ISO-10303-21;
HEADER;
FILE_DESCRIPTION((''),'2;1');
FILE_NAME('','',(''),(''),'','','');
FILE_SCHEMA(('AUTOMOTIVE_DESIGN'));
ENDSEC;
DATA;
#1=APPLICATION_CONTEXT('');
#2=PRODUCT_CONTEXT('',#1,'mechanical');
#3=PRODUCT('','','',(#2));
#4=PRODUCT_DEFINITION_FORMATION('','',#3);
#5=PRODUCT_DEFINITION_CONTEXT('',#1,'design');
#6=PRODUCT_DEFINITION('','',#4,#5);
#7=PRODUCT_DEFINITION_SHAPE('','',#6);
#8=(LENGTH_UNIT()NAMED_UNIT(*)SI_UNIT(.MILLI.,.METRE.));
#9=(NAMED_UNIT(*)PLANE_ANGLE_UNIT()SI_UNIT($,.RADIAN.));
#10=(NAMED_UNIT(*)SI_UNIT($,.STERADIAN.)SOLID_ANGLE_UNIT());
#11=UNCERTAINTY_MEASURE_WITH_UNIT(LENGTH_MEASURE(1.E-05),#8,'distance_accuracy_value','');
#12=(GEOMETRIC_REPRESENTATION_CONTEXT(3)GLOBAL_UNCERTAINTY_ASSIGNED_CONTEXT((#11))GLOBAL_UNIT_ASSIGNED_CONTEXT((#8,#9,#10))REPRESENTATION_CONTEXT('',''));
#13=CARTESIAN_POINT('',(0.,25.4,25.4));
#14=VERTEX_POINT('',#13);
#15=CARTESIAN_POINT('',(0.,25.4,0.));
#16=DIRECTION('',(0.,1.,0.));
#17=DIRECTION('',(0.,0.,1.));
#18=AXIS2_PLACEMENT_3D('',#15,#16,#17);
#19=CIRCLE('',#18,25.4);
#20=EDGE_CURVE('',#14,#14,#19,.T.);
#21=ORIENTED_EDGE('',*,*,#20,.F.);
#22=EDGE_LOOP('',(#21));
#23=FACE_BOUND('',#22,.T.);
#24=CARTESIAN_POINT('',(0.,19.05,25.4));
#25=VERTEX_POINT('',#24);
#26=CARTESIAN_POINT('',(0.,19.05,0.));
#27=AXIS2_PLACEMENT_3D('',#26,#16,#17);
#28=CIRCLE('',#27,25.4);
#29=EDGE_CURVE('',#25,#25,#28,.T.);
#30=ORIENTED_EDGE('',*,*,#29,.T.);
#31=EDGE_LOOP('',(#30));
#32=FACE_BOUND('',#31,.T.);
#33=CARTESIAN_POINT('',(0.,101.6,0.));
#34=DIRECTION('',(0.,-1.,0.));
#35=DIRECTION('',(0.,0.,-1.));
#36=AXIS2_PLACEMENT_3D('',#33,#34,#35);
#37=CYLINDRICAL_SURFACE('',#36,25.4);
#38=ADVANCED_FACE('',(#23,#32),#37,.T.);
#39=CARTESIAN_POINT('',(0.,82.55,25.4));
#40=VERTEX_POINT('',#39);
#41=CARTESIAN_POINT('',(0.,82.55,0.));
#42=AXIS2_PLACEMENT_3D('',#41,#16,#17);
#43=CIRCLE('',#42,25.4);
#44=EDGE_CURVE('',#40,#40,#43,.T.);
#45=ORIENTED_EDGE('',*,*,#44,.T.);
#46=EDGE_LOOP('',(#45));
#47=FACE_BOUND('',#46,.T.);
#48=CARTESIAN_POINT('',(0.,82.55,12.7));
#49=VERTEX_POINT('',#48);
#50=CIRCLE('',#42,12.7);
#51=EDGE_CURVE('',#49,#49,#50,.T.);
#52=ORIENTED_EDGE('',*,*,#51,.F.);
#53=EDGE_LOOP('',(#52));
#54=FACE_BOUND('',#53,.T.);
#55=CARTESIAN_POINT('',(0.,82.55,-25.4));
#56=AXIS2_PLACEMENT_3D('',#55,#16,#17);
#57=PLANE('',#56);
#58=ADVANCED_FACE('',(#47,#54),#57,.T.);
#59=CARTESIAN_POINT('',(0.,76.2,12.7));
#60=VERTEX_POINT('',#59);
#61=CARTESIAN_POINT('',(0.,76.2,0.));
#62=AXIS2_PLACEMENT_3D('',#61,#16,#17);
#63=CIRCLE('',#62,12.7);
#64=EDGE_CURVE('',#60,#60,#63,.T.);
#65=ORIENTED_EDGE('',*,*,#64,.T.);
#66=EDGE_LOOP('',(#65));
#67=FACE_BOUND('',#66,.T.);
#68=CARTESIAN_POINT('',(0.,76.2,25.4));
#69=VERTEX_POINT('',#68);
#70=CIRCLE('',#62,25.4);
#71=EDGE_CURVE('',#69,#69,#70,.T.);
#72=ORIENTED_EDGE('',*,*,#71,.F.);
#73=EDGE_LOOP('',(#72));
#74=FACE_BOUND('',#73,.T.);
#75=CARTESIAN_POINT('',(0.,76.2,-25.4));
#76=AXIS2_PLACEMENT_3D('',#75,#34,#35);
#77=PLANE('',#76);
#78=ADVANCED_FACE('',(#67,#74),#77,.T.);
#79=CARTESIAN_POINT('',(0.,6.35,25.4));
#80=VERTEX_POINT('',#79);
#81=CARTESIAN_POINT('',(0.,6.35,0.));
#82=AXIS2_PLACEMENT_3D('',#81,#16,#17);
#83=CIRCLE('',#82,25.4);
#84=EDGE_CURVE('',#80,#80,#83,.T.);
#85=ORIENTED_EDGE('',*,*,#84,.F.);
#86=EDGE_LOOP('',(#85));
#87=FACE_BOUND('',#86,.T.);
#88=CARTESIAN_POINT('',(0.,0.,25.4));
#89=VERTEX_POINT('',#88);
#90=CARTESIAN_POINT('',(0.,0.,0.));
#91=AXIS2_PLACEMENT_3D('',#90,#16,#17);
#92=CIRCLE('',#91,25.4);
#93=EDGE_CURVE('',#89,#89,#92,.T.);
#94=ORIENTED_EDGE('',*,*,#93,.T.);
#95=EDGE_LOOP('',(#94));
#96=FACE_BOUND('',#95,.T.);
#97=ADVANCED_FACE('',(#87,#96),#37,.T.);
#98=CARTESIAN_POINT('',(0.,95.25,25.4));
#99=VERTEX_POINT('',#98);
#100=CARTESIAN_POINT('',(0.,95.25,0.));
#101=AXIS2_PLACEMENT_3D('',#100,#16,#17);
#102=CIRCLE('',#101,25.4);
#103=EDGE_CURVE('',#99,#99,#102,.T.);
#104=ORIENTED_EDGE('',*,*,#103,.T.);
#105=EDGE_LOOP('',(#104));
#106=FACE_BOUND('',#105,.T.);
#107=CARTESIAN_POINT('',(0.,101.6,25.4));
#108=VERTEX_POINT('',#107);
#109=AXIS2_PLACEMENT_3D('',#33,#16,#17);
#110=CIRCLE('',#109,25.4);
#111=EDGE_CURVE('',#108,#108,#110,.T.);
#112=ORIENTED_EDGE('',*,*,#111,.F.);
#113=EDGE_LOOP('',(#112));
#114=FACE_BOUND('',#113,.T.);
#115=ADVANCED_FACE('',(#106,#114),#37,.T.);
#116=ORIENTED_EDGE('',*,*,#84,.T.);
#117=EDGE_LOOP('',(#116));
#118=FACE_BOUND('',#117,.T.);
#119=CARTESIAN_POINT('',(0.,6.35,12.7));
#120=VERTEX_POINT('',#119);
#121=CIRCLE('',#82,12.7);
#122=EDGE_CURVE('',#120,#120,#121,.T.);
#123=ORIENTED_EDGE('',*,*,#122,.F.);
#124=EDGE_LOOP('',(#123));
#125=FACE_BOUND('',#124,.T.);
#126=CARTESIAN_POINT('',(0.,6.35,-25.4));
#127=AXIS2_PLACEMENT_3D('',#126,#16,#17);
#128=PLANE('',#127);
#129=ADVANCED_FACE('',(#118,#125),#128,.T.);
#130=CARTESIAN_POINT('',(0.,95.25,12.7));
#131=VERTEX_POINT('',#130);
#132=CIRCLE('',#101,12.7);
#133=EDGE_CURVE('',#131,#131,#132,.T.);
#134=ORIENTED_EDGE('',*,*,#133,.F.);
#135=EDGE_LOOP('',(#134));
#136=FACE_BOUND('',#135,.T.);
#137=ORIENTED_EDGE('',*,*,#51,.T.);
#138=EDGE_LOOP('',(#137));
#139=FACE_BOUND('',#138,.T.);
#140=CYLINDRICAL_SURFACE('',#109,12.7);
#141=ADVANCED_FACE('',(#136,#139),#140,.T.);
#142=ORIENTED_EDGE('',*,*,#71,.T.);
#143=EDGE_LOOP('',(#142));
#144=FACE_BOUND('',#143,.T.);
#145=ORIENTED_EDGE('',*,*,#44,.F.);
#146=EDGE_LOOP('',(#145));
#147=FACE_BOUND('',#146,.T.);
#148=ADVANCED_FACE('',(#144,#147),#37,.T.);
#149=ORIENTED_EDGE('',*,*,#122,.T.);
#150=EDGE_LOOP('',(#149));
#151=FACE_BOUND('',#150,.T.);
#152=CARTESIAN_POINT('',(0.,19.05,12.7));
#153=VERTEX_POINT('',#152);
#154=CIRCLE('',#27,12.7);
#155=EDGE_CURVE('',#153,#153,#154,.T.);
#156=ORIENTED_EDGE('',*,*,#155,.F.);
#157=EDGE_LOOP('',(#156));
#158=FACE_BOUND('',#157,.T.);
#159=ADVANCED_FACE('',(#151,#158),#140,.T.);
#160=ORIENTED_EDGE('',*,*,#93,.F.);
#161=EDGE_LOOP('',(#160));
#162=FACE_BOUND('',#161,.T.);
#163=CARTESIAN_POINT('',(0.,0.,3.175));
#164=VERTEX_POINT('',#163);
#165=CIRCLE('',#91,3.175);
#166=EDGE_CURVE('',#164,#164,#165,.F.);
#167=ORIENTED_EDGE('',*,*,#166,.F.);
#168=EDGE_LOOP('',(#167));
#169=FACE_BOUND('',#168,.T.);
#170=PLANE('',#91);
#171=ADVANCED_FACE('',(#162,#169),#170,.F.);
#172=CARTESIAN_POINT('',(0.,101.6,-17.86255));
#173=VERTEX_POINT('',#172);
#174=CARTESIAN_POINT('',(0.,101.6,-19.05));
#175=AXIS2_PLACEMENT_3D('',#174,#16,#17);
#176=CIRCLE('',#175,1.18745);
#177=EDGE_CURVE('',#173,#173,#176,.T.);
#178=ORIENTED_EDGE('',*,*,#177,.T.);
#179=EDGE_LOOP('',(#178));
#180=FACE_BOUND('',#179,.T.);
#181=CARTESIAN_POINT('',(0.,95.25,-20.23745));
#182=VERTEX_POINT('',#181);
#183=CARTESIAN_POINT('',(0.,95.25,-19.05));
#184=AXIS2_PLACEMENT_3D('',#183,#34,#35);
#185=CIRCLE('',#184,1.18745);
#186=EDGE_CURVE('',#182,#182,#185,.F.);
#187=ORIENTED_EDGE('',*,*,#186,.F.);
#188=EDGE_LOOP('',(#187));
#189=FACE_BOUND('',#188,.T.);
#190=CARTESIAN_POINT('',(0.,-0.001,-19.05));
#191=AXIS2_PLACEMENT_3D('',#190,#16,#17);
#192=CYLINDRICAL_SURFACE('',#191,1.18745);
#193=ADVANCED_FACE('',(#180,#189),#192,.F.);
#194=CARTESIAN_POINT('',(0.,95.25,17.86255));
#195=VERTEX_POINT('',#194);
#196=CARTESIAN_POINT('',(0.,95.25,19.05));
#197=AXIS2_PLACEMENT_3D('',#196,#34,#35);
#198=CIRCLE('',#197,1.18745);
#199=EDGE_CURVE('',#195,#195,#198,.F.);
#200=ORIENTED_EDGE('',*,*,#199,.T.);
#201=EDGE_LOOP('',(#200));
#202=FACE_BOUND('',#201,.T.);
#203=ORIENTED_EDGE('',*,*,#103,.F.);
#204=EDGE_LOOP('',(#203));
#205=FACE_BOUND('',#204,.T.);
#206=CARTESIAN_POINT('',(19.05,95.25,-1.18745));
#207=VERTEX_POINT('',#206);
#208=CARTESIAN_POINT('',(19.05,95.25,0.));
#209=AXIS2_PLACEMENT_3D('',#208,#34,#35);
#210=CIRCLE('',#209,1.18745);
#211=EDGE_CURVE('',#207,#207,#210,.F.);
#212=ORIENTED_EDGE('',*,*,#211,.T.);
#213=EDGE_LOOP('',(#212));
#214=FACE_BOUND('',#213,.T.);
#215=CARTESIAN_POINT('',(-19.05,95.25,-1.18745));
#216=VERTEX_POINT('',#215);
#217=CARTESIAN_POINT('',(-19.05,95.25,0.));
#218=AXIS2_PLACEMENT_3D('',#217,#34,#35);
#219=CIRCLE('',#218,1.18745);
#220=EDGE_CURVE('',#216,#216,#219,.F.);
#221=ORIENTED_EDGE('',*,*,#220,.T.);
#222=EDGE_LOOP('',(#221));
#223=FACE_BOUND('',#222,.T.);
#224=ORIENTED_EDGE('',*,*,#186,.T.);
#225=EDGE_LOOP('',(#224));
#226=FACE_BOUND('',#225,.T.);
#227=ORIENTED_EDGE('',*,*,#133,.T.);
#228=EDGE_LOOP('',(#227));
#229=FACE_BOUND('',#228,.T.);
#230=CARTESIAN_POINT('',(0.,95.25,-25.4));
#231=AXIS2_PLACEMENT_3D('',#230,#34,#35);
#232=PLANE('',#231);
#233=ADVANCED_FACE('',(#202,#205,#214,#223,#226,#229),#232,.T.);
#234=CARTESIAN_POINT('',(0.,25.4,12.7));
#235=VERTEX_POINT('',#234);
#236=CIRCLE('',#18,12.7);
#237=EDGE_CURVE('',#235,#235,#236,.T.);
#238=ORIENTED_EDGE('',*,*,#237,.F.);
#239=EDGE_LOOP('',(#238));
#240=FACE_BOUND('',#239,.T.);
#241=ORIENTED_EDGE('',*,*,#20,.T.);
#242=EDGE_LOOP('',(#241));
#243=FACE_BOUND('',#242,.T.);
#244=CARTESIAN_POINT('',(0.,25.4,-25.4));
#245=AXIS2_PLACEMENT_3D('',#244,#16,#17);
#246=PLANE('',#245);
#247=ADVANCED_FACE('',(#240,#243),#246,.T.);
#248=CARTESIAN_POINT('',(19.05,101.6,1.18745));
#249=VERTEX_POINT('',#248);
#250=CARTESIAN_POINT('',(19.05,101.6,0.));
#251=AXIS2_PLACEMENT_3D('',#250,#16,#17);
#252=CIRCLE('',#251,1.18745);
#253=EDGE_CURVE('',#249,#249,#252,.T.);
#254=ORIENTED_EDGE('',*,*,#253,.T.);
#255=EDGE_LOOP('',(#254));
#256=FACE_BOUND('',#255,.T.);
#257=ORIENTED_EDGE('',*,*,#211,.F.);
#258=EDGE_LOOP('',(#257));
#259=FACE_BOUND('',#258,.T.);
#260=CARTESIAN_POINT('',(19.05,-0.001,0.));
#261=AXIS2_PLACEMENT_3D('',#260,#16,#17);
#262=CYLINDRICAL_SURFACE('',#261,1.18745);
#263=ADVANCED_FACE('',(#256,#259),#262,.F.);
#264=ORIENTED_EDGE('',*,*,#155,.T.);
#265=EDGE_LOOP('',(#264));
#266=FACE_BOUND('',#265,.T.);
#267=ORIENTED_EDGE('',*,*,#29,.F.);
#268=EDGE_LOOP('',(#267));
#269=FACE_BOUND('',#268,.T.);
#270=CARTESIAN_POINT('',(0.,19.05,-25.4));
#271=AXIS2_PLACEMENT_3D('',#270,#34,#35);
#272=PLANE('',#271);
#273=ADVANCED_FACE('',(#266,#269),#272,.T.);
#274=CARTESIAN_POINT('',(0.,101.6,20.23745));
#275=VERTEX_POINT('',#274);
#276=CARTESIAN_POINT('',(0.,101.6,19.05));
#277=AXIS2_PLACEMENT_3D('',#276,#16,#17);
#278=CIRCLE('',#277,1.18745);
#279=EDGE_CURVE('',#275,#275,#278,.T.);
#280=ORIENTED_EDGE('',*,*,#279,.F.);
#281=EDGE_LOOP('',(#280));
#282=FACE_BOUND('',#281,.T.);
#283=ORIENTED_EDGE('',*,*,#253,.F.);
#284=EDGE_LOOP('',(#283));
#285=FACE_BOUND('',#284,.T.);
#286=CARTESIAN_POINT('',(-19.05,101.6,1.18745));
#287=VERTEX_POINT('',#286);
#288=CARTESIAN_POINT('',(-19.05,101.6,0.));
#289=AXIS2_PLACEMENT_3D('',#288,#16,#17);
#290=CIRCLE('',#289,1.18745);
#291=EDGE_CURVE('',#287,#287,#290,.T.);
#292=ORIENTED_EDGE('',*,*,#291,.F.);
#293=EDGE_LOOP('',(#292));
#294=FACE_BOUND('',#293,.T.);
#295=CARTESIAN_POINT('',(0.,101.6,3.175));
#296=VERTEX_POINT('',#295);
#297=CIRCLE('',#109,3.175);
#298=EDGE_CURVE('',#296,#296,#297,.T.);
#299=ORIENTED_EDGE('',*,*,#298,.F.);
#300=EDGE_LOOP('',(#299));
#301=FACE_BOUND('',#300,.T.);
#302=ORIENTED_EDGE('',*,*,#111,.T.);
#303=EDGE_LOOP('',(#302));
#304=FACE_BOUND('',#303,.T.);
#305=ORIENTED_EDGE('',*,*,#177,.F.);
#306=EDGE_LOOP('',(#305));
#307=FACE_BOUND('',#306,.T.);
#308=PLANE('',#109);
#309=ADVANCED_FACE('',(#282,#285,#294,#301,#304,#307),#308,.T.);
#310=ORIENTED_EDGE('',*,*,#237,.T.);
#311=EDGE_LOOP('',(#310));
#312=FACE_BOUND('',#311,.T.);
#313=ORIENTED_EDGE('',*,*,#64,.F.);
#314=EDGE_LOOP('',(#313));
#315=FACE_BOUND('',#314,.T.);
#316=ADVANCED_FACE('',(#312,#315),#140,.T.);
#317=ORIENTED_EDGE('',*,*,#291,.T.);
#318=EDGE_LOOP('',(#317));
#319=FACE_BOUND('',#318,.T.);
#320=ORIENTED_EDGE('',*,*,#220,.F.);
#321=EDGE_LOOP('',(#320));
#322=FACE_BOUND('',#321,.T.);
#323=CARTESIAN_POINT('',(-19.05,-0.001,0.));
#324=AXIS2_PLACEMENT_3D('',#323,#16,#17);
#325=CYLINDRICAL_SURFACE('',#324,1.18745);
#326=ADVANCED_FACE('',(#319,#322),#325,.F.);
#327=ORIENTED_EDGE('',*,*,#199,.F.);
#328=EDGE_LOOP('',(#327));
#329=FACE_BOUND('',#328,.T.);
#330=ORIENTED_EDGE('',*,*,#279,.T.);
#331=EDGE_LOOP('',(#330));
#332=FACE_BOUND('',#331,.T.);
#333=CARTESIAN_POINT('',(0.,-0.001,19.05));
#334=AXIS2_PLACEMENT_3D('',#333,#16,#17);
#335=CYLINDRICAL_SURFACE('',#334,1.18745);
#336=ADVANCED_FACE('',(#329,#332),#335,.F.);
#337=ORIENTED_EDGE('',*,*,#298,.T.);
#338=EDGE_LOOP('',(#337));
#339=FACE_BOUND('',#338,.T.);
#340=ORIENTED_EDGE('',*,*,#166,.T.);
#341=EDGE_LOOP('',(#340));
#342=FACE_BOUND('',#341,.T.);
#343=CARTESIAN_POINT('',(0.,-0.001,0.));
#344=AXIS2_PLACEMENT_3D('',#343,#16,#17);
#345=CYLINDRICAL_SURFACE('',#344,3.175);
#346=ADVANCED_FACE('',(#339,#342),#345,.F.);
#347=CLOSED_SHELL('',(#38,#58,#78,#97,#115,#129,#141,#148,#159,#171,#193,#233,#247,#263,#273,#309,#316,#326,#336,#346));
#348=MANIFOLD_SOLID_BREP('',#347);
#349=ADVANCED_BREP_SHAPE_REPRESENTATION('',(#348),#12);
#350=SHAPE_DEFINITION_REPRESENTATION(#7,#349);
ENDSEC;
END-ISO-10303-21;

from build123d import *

# Parameters (mm, degrees)
SKETCH1_R           = 25.4
BOSS_EXTRUDE1_DEPTH = 101.6
SKETCH2_W           = 12.7
SKETCH2_H           = 12.7
SKETCH2_H_2         = 50.8
CUT_EXTRUDE1_REACH  = 109.763
SKETCH3_R           = 3.175
CUT_EXTRUDE2_REACH  = 109.763
SKETCH4_R           = 1.18745


with BuildPart() as part:
    # Sketch1 → Boss-Extrude1 (new body)
    with BuildSketch(Plane(origin=(0, 0, 0), x_dir=(1, 0, 0), z_dir=(0, 1, 0))):
        with Locations(Location((0, 0, 0), (0, 0, 270))):
            Circle(SKETCH1_R)
    extrude(amount=BOSS_EXTRUDE1_DEPTH)

    # Sketch2 → Cut-Revolve1 (revolve, cut)
    with BuildSketch(Plane(origin=(0, 0, 0), x_dir=(0, 0, -1), z_dir=(1, 0, 0)), mode=Mode.PRIVATE) as cut_revolve1_sk:
        with Locations((19.05, 88.9)):
            Rectangle(SKETCH2_W, SKETCH2_H)
        with Locations((19.05, 12.7)):
            Rectangle(SKETCH2_W, SKETCH2_H)
        with Locations((19.05, 50.8)):
            Rectangle(SKETCH2_W, SKETCH2_H_2)
    revolve(cut_revolve1_sk.sketch.rotate(Axis((0, 101.6, 0), (0, -1, 0)), 180), axis=Axis((0, 101.6, 0), (0, -1, 0)), mode=Mode.SUBTRACT)

    # Sketch3 → Cut-Extrude1 (cut, up to next)
    with BuildSketch(Plane(origin=(0, 101.6, 0), x_dir=(1, 0, 0), z_dir=(0, 1, 0)), mode=Mode.PRIVATE) as cut_extrude1_sk1:
        with Locations(Location((0, 0, 0), (0, 0, 270))):
            Circle(SKETCH3_R)
    cut_extrude1_tool1 = extrude(cut_extrude1_sk1.sketch, amount=-CUT_EXTRUDE1_REACH, mode=Mode.PRIVATE) & part.part
    add(cut_extrude1_tool1.solids().sort_by_distance((0, 101.6, 0))[0], mode=Mode.SUBTRACT)

    # Sketch4 → Cut-Extrude2 (cut, up to next)
    with BuildSketch(Plane(origin=(0, 101.6, 0), x_dir=(1, 0, 0), z_dir=(0, 1, 0)), mode=Mode.PRIVATE) as cut_extrude2_sk1:
        with Locations(Location((-19.05, 0, 0), (0, 0, 270))):
            Circle(SKETCH4_R)
    cut_extrude2_tool1 = extrude(cut_extrude2_sk1.sketch, amount=-CUT_EXTRUDE2_REACH, mode=Mode.PRIVATE) & part.part
    # Sketch4 → Cut-Extrude2 (cut, up to next)
    with BuildSketch(Plane(origin=(0, 101.6, 0), x_dir=(1, 0, 0), z_dir=(0, 1, 0)), mode=Mode.PRIVATE) as cut_extrude2_sk2:
        with Locations(Location((0, 19.05, 0), (0, 0, 270))):
            Circle(SKETCH4_R)
    cut_extrude2_tool2 = extrude(cut_extrude2_sk2.sketch, amount=-CUT_EXTRUDE2_REACH, mode=Mode.PRIVATE) & part.part
    # Sketch4 → Cut-Extrude2 (cut, up to next)
    with BuildSketch(Plane(origin=(0, 101.6, 0), x_dir=(1, 0, 0), z_dir=(0, 1, 0)), mode=Mode.PRIVATE) as cut_extrude2_sk3:
        with Locations(Location((19.05, 0, 0), (0, 0, 270))):
            Circle(SKETCH4_R)
    cut_extrude2_tool3 = extrude(cut_extrude2_sk3.sketch, amount=-CUT_EXTRUDE2_REACH, mode=Mode.PRIVATE) & part.part
    # Sketch4 → Cut-Extrude2 (cut, up to next)
    with BuildSketch(Plane(origin=(0, 101.6, 0), x_dir=(1, 0, 0), z_dir=(0, 1, 0)), mode=Mode.PRIVATE) as cut_extrude2_sk4:
        with Locations(Location((0, -19.05, 0), (0, 0, 270))):
            Circle(SKETCH4_R)
    cut_extrude2_tool4 = extrude(cut_extrude2_sk4.sketch, amount=-CUT_EXTRUDE2_REACH, mode=Mode.PRIVATE) & part.part
    add(cut_extrude2_tool1.solids().sort_by_distance((-19.05, 101.6, 0))[0], mode=Mode.SUBTRACT)
    add(cut_extrude2_tool2.solids().sort_by_distance((0, 101.6, -19.05))[0], mode=Mode.SUBTRACT)
    add(cut_extrude2_tool3.solids().sort_by_distance((19.05, 101.6, 0))[0], mode=Mode.SUBTRACT)
    add(cut_extrude2_tool4.solids().sort_by_distance((0, 101.6, 19.05))[0], mode=Mode.SUBTRACT)


solid = part.part
